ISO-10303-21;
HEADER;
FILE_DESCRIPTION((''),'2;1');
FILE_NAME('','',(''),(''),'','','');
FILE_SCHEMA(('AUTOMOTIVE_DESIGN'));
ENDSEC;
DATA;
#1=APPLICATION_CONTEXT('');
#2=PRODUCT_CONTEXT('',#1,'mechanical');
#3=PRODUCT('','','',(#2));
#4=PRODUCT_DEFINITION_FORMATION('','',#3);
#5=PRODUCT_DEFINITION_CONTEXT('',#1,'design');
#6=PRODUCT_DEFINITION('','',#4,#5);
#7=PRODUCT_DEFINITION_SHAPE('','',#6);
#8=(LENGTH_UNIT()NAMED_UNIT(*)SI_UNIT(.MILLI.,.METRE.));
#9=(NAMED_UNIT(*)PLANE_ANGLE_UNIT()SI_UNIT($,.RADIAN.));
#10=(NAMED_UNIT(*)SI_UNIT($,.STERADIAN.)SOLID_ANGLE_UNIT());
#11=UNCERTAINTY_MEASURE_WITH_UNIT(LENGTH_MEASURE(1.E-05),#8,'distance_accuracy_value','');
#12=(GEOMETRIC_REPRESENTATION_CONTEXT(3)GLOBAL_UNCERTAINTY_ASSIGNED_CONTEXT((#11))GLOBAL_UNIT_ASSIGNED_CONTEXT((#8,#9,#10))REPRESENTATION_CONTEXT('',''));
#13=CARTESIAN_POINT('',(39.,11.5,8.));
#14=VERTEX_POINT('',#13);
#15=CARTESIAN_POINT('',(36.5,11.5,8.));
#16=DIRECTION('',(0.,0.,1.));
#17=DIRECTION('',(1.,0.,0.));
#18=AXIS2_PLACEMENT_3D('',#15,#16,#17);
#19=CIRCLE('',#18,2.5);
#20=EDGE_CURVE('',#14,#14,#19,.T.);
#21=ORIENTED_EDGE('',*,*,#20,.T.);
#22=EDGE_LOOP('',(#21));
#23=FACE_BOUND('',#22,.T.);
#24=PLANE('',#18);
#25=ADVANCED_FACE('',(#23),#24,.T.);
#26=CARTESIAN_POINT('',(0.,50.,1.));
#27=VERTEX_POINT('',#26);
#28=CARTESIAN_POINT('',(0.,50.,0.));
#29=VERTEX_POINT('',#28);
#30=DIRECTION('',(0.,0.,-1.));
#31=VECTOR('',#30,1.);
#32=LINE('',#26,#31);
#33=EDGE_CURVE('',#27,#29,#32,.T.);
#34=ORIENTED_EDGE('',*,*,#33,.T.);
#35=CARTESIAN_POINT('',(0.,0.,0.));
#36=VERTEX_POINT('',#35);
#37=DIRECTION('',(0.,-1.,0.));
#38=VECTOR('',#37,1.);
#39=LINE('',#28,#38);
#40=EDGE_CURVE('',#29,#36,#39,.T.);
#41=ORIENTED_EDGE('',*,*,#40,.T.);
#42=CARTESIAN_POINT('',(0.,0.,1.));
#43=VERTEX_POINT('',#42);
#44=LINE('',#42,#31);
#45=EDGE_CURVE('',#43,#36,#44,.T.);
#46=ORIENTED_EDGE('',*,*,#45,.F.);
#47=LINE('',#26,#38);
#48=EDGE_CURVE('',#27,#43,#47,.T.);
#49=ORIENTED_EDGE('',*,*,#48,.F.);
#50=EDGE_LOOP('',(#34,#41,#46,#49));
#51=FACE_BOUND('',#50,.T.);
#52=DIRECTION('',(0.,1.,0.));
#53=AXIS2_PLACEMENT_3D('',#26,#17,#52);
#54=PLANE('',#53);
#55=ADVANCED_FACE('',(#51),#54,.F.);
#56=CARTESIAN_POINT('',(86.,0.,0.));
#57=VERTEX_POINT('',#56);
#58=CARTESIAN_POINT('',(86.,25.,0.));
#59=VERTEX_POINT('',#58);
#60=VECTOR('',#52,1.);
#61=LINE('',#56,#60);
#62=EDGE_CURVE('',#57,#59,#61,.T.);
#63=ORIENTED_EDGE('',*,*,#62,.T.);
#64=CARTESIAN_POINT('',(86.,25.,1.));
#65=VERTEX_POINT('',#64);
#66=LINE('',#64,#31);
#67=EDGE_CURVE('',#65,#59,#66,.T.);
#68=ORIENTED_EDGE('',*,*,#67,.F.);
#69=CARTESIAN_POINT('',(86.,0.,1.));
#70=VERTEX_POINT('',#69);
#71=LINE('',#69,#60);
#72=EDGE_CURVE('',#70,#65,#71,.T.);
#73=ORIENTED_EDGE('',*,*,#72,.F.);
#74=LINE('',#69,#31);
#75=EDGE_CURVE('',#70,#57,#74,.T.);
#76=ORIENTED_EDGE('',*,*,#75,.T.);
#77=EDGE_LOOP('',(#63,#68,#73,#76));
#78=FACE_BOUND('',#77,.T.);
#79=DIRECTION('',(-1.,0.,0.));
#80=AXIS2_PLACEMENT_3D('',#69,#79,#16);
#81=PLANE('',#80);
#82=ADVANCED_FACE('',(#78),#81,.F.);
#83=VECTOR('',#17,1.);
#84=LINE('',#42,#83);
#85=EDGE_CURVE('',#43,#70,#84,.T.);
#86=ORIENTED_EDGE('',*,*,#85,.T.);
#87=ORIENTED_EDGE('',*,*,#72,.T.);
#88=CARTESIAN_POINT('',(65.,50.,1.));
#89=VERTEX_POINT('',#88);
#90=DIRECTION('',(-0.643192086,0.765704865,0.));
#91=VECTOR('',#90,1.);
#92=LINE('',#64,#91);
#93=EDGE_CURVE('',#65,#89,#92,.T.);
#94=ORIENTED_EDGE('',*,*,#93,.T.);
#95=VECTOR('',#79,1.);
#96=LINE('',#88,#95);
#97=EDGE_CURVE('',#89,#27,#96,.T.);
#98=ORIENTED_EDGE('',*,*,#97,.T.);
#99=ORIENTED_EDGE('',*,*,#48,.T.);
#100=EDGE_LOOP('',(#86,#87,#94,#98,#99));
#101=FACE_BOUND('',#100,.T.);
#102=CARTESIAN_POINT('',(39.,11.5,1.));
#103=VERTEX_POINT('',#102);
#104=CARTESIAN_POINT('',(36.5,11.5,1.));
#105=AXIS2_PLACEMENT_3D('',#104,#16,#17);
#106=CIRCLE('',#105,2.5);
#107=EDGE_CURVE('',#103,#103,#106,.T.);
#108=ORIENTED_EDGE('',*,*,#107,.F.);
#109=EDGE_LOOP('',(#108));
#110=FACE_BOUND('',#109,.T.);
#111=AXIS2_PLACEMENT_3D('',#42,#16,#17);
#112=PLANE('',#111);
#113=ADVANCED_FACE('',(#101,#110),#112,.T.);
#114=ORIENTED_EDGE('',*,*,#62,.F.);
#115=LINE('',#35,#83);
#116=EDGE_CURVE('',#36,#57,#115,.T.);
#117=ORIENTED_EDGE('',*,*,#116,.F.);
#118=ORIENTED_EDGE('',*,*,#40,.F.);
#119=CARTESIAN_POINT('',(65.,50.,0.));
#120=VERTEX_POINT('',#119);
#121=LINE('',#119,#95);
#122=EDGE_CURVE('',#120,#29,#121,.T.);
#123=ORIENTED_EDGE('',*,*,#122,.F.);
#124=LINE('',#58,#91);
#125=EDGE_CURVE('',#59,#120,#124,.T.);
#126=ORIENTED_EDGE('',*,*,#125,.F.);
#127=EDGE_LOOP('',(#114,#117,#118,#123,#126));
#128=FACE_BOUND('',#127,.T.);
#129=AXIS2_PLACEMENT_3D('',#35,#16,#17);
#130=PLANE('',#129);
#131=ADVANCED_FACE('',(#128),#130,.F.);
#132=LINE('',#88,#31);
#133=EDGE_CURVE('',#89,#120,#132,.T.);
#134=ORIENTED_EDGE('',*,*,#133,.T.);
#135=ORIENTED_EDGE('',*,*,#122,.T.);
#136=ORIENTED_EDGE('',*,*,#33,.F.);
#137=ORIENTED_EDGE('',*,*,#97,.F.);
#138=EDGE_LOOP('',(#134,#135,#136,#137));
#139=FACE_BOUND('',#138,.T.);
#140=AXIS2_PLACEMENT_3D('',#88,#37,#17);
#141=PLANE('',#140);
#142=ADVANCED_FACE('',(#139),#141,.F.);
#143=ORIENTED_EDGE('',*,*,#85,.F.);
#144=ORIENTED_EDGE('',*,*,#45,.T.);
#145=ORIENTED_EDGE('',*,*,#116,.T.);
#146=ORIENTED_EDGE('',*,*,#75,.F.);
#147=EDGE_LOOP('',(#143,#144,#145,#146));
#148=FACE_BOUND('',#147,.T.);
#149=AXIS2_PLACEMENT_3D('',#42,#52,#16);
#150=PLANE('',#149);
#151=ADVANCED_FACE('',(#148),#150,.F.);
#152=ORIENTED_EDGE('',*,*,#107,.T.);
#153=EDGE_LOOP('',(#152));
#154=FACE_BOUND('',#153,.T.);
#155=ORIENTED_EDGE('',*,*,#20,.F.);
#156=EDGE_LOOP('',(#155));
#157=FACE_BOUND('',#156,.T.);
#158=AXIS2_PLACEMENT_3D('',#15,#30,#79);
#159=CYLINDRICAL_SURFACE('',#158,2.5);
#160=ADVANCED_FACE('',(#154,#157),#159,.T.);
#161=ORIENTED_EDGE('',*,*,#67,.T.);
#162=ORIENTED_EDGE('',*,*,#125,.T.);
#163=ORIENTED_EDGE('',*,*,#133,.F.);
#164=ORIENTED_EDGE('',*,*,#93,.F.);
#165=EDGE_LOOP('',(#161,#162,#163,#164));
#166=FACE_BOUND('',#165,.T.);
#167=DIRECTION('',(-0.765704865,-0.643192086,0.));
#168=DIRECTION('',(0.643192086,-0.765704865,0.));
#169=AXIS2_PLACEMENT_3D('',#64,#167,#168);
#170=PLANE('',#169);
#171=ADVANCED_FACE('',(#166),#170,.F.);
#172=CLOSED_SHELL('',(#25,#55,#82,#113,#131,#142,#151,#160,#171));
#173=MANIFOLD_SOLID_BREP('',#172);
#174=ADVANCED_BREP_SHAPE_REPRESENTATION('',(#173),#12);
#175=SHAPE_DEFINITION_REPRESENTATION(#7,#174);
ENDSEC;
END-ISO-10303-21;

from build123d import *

# Parameters (mm, degrees)
BOSS_EXTRUDE1_DEPTH = 1
SKETCH3_R           = 2.5
BOSS_EXTRUDE3_DEPTH = 7


with BuildPart() as part:
    # Sketch1 → Boss-Extrude1 (new body)
    with BuildSketch(Plane.XY):
        Polygon((0, 0), (86, 0), (86, 25), (65, 50), (0, 50), align=None)
    extrude(amount=BOSS_EXTRUDE1_DEPTH)

    # Sketch3 → Boss-Extrude3 (add)
    with BuildSketch(Plane.XY.offset(1)):
        with Locations((36.5, 11.5)):
            Circle(SKETCH3_R)
    extrude(amount=BOSS_EXTRUDE3_DEPTH)


solid = part.part
